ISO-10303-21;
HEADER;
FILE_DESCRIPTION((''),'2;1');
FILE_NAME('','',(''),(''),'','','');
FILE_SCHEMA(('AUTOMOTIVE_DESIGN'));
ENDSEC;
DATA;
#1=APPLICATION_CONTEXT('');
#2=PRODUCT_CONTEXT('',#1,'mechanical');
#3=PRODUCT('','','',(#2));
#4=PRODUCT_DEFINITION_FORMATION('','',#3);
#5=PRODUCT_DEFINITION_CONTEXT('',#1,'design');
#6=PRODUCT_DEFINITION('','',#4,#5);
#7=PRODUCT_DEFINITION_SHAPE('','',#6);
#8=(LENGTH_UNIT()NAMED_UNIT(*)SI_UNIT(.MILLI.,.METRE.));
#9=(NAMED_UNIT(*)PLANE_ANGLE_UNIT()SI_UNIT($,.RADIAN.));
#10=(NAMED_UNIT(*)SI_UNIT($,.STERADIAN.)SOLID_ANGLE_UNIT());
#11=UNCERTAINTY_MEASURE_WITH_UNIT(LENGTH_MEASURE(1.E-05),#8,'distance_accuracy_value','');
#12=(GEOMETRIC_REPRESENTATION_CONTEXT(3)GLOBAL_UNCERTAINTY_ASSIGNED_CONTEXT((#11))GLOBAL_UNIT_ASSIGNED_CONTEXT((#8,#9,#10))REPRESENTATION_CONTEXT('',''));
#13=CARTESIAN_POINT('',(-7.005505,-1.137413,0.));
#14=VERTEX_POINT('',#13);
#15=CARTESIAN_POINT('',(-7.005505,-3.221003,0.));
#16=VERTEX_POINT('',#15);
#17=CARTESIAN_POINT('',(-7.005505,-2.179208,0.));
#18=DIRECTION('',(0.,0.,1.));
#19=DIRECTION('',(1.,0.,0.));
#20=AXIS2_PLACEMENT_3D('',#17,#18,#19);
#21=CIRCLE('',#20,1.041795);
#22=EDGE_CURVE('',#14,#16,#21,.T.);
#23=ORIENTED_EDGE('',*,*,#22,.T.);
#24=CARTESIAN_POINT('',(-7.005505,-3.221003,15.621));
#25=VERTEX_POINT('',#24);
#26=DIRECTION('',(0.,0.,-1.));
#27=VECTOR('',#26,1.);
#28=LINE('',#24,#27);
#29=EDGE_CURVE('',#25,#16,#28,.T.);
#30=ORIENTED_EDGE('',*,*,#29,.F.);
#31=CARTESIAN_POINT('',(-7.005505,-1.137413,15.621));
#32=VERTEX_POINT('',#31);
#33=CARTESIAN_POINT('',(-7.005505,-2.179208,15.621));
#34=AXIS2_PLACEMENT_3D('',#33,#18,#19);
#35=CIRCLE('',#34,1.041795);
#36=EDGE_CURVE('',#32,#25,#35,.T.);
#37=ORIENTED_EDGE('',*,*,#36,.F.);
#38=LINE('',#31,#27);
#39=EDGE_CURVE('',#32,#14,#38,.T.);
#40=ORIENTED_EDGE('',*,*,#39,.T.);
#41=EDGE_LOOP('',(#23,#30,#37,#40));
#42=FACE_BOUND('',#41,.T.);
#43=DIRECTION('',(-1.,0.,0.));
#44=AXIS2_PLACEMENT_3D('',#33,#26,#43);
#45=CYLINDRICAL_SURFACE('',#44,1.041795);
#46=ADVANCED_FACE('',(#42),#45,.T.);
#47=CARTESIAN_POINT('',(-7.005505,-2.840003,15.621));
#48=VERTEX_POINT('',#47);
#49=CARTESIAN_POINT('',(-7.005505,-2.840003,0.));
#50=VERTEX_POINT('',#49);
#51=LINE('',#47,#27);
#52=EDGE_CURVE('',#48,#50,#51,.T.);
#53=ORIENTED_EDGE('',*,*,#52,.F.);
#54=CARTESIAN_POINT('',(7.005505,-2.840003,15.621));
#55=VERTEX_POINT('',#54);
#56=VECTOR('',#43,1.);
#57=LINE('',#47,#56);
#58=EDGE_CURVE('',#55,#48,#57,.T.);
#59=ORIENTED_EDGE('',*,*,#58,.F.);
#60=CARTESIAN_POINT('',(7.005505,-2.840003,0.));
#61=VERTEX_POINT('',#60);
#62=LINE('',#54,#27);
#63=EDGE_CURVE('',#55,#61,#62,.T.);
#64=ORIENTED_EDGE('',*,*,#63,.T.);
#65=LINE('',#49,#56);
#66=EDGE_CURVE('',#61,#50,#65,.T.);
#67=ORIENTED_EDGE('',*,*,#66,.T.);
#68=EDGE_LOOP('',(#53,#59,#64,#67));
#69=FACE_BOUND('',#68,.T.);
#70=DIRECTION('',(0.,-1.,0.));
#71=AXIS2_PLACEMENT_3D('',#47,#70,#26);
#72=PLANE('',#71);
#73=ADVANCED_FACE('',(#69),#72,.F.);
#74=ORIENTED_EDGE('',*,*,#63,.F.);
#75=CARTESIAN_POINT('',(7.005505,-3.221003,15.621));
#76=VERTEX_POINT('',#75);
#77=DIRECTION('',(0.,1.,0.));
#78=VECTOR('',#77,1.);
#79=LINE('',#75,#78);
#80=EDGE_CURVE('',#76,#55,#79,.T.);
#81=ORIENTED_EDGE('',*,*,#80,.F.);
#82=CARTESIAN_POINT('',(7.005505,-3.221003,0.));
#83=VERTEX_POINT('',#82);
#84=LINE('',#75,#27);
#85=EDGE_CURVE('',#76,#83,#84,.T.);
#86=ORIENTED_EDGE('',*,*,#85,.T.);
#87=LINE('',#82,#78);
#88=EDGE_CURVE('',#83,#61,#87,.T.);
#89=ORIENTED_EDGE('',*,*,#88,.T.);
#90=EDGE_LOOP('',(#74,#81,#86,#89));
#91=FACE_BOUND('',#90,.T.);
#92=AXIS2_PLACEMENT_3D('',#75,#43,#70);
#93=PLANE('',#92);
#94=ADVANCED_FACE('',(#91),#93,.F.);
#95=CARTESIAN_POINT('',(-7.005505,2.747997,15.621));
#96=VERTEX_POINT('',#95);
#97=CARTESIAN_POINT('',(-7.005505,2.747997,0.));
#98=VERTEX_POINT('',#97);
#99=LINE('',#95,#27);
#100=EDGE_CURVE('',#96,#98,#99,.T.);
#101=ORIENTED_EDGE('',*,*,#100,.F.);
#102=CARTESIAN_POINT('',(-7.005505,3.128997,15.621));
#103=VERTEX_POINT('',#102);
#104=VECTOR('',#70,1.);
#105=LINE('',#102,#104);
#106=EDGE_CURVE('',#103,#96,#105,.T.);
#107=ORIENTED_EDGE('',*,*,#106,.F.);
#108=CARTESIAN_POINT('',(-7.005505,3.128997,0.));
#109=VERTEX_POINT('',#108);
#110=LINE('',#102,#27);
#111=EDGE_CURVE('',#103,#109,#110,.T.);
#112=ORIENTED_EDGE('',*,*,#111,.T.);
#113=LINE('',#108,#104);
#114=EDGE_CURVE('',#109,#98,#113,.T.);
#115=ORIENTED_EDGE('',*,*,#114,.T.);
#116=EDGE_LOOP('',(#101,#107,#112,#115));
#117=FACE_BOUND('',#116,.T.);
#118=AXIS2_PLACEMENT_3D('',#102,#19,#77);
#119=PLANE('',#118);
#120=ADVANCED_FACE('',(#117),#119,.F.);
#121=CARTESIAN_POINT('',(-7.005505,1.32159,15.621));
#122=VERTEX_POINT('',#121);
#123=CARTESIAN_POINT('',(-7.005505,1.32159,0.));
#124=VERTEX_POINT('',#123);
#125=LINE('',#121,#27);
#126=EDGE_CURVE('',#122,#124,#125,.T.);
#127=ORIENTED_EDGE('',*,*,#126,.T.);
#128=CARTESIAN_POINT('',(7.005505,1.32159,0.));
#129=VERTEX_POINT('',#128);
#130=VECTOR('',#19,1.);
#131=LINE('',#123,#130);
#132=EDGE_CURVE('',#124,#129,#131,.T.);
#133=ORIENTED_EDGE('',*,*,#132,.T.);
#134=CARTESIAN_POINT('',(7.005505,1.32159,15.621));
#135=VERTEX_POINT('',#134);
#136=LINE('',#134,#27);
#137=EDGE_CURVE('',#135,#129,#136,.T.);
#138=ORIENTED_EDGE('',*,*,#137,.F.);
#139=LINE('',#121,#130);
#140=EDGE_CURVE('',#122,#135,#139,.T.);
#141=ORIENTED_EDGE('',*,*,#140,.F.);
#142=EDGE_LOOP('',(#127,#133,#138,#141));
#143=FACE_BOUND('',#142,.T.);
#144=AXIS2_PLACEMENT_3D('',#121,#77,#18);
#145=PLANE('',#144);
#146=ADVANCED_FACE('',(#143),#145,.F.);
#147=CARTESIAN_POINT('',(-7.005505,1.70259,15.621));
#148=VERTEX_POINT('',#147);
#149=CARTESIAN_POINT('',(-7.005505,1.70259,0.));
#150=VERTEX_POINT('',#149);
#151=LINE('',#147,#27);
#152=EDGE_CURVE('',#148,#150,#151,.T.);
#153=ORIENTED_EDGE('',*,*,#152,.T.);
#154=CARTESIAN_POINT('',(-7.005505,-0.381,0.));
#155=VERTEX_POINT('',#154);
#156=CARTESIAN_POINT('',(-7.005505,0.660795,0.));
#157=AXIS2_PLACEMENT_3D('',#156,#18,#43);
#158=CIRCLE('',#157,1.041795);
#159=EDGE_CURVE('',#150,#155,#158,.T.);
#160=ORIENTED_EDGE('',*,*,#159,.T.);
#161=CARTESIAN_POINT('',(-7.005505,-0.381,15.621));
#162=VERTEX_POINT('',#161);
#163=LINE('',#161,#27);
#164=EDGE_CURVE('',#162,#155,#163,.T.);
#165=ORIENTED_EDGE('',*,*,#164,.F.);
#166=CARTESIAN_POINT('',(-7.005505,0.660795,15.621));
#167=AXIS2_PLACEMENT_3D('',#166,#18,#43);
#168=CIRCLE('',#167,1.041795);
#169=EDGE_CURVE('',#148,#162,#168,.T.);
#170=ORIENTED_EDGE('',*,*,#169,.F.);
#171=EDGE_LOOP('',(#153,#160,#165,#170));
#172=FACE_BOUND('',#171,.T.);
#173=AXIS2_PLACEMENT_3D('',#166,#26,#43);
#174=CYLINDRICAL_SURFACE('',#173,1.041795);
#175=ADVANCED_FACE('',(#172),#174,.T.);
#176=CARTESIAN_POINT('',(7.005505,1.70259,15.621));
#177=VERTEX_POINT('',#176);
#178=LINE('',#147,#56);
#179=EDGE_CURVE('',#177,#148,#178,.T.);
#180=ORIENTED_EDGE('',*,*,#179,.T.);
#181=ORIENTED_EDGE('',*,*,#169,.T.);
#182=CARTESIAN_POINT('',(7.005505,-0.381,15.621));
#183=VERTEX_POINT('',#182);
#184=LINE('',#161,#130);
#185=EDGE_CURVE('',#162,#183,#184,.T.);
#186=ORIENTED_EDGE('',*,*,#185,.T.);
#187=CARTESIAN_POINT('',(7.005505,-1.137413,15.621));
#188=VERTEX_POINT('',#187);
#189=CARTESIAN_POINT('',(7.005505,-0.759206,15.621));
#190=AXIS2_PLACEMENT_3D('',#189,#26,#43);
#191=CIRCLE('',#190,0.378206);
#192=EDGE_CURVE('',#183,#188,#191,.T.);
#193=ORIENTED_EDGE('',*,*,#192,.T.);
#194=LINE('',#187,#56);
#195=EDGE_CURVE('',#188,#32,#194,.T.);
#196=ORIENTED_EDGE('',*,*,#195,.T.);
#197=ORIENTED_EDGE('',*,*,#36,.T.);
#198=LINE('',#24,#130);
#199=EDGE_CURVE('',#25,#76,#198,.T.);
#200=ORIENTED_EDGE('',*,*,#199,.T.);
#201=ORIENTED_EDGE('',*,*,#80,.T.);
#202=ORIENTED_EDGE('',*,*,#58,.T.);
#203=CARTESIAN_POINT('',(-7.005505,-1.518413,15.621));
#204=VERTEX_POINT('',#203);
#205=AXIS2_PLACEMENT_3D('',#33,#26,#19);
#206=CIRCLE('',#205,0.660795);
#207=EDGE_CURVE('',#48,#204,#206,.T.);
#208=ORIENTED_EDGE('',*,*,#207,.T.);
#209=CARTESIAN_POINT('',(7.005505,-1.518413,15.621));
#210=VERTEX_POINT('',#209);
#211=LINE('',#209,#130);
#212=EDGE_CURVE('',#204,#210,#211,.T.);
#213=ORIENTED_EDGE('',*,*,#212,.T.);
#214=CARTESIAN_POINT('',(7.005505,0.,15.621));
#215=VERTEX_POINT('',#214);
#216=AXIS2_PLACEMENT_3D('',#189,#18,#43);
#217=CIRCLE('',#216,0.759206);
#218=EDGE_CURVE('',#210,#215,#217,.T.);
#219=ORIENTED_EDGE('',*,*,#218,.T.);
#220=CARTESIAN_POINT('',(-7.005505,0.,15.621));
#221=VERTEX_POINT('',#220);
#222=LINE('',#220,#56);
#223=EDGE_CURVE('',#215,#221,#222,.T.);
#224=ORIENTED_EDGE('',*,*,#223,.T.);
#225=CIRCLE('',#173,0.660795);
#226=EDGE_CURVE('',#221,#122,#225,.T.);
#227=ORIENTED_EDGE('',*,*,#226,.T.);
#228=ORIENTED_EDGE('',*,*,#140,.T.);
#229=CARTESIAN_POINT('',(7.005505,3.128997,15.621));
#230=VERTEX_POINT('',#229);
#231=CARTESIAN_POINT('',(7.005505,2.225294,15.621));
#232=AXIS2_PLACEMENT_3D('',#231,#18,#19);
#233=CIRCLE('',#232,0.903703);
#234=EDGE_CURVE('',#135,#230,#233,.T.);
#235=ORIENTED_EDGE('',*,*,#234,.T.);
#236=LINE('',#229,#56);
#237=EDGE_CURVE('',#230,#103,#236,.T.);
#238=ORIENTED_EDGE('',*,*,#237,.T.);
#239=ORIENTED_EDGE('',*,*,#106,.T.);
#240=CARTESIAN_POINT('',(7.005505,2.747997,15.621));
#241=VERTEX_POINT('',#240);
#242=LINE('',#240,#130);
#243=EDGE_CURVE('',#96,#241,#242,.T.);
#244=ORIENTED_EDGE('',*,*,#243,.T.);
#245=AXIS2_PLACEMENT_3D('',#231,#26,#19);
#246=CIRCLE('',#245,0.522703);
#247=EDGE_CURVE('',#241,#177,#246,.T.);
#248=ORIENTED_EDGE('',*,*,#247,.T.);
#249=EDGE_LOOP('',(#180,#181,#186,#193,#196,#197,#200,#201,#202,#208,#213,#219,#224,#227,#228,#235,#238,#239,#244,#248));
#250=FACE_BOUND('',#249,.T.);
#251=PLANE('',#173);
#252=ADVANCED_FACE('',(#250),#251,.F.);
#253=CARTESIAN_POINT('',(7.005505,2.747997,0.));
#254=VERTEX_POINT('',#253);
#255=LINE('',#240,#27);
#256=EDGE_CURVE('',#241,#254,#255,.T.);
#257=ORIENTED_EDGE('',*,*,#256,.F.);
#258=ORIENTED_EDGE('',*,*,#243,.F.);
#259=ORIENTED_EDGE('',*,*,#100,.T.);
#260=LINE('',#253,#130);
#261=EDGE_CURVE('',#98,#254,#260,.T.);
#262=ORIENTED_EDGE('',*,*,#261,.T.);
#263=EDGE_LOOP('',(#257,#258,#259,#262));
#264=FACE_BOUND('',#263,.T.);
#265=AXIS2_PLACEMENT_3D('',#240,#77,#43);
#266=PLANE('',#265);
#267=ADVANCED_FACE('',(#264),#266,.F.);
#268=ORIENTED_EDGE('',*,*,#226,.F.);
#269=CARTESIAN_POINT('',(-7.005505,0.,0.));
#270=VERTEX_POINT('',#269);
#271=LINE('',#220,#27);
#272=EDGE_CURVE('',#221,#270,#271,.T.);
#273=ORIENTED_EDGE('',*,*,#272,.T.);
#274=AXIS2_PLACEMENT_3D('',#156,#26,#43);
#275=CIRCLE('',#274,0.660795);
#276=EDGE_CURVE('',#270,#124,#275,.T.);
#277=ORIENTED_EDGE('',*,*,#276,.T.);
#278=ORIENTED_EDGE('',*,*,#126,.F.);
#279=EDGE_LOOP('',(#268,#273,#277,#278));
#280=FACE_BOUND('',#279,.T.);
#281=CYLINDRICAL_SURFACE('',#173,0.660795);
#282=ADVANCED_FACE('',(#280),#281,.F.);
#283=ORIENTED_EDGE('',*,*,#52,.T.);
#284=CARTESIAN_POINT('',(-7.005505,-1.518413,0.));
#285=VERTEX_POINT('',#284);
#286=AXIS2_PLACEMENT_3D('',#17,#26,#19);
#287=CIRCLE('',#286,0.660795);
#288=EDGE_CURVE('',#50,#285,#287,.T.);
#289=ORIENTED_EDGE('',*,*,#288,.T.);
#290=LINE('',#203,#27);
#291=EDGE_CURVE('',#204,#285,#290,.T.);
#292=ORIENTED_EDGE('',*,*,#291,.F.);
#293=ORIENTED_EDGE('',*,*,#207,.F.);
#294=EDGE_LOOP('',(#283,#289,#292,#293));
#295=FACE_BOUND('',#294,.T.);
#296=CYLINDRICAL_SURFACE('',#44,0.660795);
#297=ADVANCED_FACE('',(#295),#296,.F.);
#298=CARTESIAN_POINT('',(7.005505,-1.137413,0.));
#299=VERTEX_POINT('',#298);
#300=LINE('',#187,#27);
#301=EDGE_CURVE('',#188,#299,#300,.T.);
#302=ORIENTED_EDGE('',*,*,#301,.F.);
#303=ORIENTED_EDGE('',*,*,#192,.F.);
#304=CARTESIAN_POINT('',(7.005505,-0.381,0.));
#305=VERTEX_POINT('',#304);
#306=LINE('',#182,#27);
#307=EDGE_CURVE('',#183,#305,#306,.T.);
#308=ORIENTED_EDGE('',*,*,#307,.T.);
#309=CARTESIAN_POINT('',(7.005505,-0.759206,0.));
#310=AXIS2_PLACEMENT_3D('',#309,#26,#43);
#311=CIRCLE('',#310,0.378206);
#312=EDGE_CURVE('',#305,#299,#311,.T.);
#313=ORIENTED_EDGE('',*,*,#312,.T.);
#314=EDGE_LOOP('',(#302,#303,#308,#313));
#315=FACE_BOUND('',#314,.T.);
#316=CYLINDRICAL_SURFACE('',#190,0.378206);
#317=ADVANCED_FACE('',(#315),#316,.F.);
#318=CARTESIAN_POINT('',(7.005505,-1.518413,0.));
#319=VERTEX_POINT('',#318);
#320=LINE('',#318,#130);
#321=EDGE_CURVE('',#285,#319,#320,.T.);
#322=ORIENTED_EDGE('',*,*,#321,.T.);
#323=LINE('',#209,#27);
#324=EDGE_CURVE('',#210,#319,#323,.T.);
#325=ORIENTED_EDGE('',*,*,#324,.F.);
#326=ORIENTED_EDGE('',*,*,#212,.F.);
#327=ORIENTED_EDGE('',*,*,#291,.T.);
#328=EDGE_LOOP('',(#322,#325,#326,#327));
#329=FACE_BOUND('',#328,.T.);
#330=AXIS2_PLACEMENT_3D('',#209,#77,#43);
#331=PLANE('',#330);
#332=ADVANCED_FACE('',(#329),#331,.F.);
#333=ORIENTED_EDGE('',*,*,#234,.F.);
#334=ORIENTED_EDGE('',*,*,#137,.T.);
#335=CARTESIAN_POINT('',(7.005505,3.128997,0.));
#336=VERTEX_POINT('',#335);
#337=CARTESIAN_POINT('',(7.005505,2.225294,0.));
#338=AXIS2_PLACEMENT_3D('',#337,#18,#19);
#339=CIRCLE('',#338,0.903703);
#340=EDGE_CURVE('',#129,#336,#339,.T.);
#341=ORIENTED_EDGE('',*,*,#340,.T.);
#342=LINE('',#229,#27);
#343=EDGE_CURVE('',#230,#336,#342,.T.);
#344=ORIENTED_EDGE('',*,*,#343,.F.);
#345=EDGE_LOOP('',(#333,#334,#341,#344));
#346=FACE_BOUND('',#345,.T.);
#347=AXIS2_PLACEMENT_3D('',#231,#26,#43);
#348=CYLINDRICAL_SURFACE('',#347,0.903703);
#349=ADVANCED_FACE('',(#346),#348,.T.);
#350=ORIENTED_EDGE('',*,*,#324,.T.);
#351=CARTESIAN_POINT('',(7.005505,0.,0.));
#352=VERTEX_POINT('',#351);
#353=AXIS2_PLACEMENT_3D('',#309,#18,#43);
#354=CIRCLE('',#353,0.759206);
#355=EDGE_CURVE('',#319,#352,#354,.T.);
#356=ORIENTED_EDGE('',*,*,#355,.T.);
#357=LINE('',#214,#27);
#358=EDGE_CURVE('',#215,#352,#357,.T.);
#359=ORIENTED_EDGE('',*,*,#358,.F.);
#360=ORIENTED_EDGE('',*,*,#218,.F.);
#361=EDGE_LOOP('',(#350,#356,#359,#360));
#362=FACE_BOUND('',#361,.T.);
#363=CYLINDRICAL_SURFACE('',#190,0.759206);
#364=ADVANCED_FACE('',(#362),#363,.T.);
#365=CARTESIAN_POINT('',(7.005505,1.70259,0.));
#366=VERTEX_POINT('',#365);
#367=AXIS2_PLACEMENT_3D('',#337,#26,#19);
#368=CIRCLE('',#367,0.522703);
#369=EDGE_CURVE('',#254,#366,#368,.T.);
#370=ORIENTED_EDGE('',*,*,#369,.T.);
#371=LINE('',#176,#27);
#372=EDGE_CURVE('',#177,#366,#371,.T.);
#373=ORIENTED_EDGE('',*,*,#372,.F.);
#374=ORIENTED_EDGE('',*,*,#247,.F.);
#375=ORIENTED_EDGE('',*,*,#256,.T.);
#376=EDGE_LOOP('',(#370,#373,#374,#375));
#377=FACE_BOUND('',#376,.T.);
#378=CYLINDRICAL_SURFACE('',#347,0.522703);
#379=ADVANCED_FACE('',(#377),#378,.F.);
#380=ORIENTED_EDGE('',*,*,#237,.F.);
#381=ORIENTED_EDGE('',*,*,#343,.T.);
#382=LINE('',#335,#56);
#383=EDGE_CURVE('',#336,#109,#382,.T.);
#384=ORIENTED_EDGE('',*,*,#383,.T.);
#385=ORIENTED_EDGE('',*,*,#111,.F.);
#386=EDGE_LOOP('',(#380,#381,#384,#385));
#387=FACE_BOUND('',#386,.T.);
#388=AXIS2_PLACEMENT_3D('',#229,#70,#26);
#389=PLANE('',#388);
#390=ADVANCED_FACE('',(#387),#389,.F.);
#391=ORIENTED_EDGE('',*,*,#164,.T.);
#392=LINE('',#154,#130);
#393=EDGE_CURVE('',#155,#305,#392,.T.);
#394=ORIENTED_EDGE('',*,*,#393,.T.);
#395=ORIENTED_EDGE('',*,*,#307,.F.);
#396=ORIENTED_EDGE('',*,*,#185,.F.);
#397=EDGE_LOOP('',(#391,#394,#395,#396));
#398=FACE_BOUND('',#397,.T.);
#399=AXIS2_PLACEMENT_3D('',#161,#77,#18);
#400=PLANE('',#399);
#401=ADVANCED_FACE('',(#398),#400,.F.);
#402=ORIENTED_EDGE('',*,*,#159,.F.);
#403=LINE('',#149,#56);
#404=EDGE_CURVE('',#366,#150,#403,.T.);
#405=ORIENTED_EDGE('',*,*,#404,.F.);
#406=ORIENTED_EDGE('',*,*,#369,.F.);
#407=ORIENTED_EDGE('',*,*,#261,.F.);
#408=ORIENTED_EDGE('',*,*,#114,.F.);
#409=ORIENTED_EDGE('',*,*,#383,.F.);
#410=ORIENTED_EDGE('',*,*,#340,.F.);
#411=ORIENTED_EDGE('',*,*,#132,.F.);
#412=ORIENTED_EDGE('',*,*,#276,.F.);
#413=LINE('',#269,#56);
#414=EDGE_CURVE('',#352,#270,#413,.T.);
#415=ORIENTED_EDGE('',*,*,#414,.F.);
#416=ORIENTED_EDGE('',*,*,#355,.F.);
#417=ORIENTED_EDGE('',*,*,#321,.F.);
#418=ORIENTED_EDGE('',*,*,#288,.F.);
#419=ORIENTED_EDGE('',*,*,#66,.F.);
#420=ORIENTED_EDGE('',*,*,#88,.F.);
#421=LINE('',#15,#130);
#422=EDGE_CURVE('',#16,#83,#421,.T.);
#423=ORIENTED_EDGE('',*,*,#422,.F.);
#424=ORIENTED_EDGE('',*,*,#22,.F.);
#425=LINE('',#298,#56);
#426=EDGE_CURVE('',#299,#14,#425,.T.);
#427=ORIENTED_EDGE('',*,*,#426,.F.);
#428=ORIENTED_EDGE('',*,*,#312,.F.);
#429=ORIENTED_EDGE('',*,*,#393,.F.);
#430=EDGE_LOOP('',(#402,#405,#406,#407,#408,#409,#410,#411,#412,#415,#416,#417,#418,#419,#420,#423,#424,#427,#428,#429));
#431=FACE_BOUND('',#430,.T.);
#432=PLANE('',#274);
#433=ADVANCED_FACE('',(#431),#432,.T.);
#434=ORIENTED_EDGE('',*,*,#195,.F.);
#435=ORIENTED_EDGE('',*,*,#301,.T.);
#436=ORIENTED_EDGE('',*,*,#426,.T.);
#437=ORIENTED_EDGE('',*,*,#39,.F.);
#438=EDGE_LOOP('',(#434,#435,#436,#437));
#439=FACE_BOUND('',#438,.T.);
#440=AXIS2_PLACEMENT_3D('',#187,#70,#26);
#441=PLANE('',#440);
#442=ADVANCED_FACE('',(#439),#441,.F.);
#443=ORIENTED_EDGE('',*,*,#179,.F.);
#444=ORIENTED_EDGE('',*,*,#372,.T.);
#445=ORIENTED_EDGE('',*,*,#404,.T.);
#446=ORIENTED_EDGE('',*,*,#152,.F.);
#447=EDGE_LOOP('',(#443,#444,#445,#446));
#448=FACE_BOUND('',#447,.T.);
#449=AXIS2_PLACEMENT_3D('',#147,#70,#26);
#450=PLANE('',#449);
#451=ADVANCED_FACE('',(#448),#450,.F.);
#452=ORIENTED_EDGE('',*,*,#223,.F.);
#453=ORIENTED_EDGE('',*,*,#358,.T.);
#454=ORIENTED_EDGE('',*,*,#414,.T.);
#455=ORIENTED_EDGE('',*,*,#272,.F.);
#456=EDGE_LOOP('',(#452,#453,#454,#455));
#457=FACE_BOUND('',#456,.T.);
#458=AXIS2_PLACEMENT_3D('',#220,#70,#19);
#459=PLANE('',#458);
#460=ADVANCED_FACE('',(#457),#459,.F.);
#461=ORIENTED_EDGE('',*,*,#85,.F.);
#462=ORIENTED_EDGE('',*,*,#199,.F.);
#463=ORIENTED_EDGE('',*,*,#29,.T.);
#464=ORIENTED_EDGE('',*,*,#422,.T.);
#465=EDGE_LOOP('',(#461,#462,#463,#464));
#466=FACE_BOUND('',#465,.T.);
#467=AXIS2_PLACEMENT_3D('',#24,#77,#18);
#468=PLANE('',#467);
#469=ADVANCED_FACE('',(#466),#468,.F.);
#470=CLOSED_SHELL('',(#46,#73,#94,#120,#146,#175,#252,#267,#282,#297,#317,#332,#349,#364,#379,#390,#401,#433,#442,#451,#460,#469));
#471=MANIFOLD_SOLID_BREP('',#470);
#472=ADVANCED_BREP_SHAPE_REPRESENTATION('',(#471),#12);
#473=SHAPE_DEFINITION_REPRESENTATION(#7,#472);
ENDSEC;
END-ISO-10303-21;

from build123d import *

# Parameters (mm, degrees)
BOSS_EXTRUDE1_DEPTH = 15.621


with BuildPart() as part:
    # Sketch1 → Boss-Extrude1 (new body)
    with BuildSketch(Plane.XY):
        with BuildLine():
            Line((-7.005505105, 0), (7.005505105, 0))
            ThreePointArc((7.005505105, 0), (7.764711356, -0.759206251), (7.005505105, -1.518412501))
            Line((7.005505105, -1.518412501), (-7.005505105, -1.518412501))
            ThreePointArc((-7.005505105, -1.518412501), (-7.666300268, -2.179207663), (-7.005505105, -2.840002826))
            Line((-7.005505105, -2.840002826), (7.005505105, -2.840002826))
            Line((7.005505105, -2.840002826), (7.005505105, -3.221002826))
            Line((7.005505105, -3.221002826), (-7.005505105, -3.221002826))
            ThreePointArc((-7.005505105, -3.221002826), (-8.047300268, -2.179207663), (-7.005505105, -1.137412501))
            Line((-7.005505105, -1.137412501), (7.005505105, -1.137412501))
            ThreePointArc((7.005505105, -1.137412501), (7.383711356, -0.759206251), (7.005505105, -0.381))
            Line((7.005505105, -0.381), (-7.005505105, -0.381))
            ThreePointArc((-7.005505105, -0.381), (-8.047300268, 0.660795162), (-7.005505105, 1.702590324))
            Line((-7.005505105, 1.702590324), (7.005505105, 1.702590324))
            ThreePointArc((7.005505105, 1.702590324), (7.528208531, 2.225293749), (7.005505105, 2.747997174))
            Line((7.005505105, 2.747997174), (-7.005505105, 2.747997174))
            Line((-7.005505105, 2.747997174), (-7.005505105, 3.128997174))
            Line((-7.005505105, 3.128997174), (7.005505105, 3.128997174))
            ThreePointArc((7.005505105, 3.128997174), (7.909208531, 2.225293749), (7.005505105, 1.321590324))
            Line((7.005505105, 1.321590324), (-7.005505105, 1.321590324))
            ThreePointArc((-7.005505105, 1.321590324), (-7.666300268, 0.660795162), (-7.005505105, 0))
        make_face()
    extrude(amount=BOSS_EXTRUDE1_DEPTH)


solid = part.part
